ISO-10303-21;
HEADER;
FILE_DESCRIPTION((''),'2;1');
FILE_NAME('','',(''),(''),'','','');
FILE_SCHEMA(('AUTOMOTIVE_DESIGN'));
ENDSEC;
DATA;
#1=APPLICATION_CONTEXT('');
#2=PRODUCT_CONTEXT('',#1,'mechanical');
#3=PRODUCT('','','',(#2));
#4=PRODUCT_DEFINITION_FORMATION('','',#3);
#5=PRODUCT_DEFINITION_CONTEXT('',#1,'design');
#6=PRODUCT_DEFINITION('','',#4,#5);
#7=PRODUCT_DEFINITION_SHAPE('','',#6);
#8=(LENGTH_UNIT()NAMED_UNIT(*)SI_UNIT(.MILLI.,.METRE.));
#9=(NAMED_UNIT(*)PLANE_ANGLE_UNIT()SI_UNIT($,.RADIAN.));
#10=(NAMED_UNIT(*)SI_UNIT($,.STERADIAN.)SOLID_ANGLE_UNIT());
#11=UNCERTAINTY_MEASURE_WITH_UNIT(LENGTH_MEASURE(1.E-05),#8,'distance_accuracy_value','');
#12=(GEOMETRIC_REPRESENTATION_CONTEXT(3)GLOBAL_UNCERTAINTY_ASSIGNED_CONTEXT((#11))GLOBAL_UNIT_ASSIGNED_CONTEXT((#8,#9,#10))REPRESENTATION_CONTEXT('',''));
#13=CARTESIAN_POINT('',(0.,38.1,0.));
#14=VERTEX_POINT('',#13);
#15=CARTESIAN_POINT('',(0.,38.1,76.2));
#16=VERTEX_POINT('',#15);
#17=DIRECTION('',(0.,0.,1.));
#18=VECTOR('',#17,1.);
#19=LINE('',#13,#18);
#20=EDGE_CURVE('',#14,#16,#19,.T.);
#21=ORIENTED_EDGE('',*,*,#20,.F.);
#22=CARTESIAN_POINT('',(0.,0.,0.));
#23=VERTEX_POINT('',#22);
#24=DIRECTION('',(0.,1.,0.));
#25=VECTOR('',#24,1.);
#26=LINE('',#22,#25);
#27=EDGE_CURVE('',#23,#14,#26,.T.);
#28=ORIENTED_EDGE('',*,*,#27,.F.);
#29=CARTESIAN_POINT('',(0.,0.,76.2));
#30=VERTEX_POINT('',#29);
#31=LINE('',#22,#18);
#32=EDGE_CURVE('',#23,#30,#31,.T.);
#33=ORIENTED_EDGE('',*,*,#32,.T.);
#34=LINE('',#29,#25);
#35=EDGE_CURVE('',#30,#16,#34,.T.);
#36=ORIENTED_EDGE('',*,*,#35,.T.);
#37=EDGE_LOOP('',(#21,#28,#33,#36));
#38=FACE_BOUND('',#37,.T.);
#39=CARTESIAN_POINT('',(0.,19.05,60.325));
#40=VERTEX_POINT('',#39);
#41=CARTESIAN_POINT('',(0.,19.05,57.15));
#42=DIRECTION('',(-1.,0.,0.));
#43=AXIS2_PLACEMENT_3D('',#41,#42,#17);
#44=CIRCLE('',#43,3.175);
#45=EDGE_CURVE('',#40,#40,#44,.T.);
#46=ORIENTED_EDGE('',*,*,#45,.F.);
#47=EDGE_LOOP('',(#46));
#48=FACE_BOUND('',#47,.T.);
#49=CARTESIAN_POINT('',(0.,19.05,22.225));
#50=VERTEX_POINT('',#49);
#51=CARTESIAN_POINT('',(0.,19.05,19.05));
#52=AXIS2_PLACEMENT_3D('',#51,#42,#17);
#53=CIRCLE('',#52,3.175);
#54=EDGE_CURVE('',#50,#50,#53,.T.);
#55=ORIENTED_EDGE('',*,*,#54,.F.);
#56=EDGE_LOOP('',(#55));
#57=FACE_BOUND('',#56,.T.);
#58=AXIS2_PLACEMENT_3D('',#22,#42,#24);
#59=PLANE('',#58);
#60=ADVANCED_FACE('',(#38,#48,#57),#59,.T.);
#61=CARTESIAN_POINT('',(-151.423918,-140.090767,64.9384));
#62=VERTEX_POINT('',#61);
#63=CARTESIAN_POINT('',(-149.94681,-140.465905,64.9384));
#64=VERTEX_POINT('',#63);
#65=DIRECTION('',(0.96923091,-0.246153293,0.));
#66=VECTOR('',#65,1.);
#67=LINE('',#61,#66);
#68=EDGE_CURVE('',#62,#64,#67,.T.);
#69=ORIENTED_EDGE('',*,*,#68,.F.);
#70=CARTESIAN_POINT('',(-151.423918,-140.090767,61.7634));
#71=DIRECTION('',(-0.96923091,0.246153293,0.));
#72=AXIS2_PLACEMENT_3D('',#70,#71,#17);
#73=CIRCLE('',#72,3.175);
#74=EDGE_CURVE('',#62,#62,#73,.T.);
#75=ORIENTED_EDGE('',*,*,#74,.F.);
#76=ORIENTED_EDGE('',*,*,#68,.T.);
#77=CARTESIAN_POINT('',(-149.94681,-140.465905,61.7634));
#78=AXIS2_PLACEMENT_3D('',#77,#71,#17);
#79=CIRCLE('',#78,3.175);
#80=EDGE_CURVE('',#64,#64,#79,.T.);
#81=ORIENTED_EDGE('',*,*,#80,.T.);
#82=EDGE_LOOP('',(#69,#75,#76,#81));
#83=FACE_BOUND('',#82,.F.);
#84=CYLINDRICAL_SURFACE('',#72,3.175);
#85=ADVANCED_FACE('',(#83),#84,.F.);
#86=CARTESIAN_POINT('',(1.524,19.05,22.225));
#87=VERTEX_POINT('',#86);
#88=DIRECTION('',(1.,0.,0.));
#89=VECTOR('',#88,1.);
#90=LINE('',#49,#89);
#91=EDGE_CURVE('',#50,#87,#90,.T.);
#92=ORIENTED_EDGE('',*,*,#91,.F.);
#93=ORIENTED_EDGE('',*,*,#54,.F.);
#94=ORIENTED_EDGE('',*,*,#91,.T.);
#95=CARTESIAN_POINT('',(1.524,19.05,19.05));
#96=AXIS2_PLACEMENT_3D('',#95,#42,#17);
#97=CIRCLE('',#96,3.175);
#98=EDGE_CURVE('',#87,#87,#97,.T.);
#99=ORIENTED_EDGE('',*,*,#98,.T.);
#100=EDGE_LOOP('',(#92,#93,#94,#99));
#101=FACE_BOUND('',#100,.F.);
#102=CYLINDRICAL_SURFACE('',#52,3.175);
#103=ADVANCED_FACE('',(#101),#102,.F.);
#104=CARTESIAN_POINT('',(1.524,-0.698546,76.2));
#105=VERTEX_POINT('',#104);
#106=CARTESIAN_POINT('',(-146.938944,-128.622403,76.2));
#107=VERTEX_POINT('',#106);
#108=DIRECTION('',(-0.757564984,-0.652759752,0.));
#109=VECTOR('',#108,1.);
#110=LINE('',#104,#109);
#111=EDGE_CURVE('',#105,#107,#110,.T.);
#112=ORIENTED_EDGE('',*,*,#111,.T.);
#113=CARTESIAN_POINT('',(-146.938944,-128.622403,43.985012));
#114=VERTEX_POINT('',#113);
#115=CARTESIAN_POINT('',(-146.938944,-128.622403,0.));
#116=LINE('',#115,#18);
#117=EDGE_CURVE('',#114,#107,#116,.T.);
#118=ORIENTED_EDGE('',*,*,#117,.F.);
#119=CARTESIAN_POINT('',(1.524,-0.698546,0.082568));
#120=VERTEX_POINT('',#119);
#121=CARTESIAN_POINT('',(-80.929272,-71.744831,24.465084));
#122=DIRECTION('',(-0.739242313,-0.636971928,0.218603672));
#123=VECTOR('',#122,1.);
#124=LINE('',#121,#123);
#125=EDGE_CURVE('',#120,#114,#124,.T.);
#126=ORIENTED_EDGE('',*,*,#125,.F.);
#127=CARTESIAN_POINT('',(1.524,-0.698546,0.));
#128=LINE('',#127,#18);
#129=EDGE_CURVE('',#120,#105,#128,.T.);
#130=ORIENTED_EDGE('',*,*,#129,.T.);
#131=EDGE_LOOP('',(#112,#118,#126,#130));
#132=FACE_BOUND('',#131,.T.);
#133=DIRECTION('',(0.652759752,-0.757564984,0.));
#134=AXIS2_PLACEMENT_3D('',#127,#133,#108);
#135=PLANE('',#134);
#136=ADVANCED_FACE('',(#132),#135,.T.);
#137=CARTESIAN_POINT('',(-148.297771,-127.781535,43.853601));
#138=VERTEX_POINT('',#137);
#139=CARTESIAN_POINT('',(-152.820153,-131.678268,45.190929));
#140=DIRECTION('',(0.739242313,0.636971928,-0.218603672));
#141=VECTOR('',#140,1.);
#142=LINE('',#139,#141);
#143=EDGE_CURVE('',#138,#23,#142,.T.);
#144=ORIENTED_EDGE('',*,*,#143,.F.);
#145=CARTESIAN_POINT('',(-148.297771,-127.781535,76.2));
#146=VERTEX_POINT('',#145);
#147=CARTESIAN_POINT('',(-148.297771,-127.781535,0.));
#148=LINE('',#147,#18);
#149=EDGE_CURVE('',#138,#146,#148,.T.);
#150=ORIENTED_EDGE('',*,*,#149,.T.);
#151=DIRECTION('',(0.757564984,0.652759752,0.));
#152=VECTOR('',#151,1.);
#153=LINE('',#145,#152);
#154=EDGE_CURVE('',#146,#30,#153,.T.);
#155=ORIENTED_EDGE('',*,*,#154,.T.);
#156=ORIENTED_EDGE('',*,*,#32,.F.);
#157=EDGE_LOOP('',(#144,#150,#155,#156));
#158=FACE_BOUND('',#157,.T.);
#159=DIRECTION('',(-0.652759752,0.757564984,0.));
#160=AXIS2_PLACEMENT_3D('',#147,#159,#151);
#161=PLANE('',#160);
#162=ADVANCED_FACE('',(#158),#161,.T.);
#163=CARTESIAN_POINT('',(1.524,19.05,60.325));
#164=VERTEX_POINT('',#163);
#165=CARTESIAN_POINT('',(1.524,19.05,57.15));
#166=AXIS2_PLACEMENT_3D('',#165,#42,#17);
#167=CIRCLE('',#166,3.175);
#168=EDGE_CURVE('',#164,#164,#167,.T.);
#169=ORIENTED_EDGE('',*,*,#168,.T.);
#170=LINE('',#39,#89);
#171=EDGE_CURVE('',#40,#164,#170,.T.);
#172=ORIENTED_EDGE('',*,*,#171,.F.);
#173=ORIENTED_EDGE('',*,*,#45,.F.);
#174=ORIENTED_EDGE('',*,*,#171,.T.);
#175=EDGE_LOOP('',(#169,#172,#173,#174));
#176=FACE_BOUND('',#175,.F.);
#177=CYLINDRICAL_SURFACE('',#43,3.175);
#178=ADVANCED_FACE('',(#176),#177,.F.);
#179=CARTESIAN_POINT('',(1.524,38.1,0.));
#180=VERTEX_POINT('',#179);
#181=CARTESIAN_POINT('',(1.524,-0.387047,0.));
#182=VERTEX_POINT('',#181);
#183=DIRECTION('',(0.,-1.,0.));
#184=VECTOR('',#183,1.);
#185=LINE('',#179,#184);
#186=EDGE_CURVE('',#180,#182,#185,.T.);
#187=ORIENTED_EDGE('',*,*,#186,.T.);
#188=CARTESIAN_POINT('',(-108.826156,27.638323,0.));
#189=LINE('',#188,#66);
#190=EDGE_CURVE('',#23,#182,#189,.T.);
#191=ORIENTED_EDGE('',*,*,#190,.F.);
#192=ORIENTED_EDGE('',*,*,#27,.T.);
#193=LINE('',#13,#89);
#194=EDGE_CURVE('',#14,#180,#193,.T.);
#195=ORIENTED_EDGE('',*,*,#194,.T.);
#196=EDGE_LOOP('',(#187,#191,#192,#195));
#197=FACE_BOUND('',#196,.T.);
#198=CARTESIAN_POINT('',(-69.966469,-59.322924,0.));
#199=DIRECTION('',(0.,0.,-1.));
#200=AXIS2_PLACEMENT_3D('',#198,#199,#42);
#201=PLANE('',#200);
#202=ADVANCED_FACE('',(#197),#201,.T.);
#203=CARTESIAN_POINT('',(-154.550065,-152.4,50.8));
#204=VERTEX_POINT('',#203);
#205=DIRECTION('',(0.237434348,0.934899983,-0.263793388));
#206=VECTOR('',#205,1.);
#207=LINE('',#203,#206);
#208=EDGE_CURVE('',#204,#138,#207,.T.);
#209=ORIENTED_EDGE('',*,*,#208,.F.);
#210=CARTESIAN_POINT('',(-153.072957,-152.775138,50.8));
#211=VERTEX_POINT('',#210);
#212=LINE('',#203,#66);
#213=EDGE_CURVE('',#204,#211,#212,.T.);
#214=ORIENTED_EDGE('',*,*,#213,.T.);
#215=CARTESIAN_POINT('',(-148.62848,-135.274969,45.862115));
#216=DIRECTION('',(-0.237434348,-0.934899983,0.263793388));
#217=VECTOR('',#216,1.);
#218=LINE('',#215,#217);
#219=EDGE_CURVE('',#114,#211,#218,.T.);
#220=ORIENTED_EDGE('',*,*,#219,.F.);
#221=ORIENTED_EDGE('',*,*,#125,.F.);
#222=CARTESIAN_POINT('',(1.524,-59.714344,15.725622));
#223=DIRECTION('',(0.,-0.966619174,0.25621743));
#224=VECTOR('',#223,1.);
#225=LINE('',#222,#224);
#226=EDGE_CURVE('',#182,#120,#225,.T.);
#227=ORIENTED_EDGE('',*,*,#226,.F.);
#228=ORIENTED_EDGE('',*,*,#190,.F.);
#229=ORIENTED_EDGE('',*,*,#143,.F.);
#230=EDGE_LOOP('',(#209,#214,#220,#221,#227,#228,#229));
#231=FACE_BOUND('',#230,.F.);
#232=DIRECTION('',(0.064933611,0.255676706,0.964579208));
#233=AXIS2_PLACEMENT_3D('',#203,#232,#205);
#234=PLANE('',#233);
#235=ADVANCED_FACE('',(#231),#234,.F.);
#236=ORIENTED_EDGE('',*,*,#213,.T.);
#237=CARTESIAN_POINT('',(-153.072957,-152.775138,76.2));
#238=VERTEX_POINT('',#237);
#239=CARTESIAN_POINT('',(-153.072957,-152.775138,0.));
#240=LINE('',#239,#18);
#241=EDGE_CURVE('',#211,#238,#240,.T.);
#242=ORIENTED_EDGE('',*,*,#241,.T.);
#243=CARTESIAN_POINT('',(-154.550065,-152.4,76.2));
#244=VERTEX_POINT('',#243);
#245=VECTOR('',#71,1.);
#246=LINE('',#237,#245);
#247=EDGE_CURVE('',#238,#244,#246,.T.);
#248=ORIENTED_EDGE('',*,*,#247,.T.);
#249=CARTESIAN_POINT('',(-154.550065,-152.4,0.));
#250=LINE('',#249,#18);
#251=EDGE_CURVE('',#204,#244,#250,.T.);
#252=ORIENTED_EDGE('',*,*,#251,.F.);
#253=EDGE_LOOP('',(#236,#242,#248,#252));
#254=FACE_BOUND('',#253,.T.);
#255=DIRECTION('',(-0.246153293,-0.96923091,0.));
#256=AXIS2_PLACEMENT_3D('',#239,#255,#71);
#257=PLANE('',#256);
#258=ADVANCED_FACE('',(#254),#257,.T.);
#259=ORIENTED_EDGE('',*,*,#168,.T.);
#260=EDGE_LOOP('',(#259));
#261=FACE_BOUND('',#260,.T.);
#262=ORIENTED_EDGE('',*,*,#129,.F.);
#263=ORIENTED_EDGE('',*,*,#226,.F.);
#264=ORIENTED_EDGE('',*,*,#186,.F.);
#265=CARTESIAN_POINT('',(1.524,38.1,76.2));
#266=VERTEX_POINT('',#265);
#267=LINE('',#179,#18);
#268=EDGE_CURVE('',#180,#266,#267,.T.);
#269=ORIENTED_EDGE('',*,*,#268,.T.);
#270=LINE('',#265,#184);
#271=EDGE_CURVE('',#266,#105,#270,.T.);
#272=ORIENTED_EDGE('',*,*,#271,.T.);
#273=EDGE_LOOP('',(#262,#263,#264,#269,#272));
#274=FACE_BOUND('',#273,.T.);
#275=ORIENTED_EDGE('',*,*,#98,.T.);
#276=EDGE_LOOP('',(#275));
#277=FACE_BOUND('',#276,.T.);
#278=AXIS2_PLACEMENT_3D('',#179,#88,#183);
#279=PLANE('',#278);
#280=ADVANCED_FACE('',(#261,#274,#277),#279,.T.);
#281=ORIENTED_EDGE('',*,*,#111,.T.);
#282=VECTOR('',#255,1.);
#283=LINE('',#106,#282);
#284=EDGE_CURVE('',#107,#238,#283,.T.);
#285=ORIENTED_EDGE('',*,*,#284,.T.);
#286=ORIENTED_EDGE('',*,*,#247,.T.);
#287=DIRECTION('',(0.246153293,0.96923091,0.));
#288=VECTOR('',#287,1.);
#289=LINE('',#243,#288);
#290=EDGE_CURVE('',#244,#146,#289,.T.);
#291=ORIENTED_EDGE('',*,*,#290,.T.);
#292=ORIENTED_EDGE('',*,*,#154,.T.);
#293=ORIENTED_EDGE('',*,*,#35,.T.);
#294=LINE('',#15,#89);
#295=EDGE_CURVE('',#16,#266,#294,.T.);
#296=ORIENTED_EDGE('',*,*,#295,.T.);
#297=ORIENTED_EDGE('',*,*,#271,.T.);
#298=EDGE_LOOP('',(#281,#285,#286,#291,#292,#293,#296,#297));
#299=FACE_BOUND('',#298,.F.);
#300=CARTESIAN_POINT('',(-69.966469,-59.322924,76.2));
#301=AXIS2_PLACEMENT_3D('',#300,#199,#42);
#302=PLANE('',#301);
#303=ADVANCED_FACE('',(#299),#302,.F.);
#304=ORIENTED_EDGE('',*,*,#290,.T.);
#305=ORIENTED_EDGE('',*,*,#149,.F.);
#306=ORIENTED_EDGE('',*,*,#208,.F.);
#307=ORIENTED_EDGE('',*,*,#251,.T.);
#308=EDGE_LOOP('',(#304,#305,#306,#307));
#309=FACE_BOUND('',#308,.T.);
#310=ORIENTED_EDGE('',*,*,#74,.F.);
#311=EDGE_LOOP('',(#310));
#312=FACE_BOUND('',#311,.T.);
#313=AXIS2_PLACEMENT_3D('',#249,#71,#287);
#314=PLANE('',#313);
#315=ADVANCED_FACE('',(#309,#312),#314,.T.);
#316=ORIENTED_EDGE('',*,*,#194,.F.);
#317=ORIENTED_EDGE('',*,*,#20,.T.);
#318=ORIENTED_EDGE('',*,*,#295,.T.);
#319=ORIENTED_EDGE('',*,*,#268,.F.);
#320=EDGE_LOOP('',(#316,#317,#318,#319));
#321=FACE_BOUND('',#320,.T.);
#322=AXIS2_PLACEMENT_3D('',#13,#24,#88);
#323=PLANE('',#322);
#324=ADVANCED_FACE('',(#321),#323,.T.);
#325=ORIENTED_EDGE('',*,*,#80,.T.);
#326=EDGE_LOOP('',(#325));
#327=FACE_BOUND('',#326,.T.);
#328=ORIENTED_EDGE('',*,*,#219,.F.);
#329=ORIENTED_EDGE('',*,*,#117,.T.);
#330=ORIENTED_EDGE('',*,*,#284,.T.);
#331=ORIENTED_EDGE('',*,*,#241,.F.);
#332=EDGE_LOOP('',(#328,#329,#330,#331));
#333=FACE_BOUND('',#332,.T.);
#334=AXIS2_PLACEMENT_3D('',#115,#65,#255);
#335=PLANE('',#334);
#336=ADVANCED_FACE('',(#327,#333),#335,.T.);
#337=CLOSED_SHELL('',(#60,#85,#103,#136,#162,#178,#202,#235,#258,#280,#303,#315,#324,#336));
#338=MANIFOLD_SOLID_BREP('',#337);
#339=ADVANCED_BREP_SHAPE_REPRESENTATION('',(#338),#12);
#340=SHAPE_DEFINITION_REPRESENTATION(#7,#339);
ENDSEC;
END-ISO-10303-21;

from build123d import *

# Parameters (mm, degrees)
BOSS_EXTRUDE1_DEPTH = 76.2
CUT_EXTRUDE1_DEPTH  = 152.364149309
SKETCH3_R           = 3.175
CUT_EXTRUDE2_DEPTH  = 152.364149309
SKETCH4_R           = 3.175
CUT_EXTRUDE3_DEPTH  = 2.524


with BuildPart() as part:
    # Sketch1 → Boss-Extrude1 (new body)
    with BuildSketch(Plane.XY):
        Polygon((0, 0), (0, 38.1), (1.524, 38.1), (1.524, -0.698546195), (-146.938943833, -128.622402846), (-153.072957039, -152.775137619), (-154.550064945, -152.4), (-148.297771302, -127.781534893), align=None)
    extrude(amount=BOSS_EXTRUDE1_DEPTH)

    # Sketch2 → Cut-Extrude1 (cut, through all)
    with BuildSketch(Plane(origin=(-108.826155859, 27.638322679, 0), x_dir=(0, 0, 1), z_dir=(-0.96923091, 0.246153293, 0))):
        Polygon((0, -185.753798063), (50.8, -185.753798063), (0, 0), align=None)
    extrude(amount=-CUT_EXTRUDE1_DEPTH, mode=Mode.SUBTRACT)

    # Sketch3 → Cut-Extrude2 (cut, through all)
    with BuildSketch(Plane(origin=(-108.826155859, 27.638322679, 0), x_dir=(0, 0, 1), z_dir=(-0.96923091, 0.246153293, 0))):
        with Locations((61.763400246, -173.053798063)):
            Circle(SKETCH3_R)
    extrude(amount=-CUT_EXTRUDE2_DEPTH, mode=Mode.SUBTRACT)

    # Sketch4 → Cut-Extrude3 (cut, through all)
    with BuildSketch(Plane.ZY):
        with Locations((19.05, 19.05)):
            Circle(SKETCH4_R)
        with Locations((57.15, 19.05)):
            Circle(SKETCH4_R)
    extrude(amount=-CUT_EXTRUDE3_DEPTH, mode=Mode.SUBTRACT)


solid = part.part
